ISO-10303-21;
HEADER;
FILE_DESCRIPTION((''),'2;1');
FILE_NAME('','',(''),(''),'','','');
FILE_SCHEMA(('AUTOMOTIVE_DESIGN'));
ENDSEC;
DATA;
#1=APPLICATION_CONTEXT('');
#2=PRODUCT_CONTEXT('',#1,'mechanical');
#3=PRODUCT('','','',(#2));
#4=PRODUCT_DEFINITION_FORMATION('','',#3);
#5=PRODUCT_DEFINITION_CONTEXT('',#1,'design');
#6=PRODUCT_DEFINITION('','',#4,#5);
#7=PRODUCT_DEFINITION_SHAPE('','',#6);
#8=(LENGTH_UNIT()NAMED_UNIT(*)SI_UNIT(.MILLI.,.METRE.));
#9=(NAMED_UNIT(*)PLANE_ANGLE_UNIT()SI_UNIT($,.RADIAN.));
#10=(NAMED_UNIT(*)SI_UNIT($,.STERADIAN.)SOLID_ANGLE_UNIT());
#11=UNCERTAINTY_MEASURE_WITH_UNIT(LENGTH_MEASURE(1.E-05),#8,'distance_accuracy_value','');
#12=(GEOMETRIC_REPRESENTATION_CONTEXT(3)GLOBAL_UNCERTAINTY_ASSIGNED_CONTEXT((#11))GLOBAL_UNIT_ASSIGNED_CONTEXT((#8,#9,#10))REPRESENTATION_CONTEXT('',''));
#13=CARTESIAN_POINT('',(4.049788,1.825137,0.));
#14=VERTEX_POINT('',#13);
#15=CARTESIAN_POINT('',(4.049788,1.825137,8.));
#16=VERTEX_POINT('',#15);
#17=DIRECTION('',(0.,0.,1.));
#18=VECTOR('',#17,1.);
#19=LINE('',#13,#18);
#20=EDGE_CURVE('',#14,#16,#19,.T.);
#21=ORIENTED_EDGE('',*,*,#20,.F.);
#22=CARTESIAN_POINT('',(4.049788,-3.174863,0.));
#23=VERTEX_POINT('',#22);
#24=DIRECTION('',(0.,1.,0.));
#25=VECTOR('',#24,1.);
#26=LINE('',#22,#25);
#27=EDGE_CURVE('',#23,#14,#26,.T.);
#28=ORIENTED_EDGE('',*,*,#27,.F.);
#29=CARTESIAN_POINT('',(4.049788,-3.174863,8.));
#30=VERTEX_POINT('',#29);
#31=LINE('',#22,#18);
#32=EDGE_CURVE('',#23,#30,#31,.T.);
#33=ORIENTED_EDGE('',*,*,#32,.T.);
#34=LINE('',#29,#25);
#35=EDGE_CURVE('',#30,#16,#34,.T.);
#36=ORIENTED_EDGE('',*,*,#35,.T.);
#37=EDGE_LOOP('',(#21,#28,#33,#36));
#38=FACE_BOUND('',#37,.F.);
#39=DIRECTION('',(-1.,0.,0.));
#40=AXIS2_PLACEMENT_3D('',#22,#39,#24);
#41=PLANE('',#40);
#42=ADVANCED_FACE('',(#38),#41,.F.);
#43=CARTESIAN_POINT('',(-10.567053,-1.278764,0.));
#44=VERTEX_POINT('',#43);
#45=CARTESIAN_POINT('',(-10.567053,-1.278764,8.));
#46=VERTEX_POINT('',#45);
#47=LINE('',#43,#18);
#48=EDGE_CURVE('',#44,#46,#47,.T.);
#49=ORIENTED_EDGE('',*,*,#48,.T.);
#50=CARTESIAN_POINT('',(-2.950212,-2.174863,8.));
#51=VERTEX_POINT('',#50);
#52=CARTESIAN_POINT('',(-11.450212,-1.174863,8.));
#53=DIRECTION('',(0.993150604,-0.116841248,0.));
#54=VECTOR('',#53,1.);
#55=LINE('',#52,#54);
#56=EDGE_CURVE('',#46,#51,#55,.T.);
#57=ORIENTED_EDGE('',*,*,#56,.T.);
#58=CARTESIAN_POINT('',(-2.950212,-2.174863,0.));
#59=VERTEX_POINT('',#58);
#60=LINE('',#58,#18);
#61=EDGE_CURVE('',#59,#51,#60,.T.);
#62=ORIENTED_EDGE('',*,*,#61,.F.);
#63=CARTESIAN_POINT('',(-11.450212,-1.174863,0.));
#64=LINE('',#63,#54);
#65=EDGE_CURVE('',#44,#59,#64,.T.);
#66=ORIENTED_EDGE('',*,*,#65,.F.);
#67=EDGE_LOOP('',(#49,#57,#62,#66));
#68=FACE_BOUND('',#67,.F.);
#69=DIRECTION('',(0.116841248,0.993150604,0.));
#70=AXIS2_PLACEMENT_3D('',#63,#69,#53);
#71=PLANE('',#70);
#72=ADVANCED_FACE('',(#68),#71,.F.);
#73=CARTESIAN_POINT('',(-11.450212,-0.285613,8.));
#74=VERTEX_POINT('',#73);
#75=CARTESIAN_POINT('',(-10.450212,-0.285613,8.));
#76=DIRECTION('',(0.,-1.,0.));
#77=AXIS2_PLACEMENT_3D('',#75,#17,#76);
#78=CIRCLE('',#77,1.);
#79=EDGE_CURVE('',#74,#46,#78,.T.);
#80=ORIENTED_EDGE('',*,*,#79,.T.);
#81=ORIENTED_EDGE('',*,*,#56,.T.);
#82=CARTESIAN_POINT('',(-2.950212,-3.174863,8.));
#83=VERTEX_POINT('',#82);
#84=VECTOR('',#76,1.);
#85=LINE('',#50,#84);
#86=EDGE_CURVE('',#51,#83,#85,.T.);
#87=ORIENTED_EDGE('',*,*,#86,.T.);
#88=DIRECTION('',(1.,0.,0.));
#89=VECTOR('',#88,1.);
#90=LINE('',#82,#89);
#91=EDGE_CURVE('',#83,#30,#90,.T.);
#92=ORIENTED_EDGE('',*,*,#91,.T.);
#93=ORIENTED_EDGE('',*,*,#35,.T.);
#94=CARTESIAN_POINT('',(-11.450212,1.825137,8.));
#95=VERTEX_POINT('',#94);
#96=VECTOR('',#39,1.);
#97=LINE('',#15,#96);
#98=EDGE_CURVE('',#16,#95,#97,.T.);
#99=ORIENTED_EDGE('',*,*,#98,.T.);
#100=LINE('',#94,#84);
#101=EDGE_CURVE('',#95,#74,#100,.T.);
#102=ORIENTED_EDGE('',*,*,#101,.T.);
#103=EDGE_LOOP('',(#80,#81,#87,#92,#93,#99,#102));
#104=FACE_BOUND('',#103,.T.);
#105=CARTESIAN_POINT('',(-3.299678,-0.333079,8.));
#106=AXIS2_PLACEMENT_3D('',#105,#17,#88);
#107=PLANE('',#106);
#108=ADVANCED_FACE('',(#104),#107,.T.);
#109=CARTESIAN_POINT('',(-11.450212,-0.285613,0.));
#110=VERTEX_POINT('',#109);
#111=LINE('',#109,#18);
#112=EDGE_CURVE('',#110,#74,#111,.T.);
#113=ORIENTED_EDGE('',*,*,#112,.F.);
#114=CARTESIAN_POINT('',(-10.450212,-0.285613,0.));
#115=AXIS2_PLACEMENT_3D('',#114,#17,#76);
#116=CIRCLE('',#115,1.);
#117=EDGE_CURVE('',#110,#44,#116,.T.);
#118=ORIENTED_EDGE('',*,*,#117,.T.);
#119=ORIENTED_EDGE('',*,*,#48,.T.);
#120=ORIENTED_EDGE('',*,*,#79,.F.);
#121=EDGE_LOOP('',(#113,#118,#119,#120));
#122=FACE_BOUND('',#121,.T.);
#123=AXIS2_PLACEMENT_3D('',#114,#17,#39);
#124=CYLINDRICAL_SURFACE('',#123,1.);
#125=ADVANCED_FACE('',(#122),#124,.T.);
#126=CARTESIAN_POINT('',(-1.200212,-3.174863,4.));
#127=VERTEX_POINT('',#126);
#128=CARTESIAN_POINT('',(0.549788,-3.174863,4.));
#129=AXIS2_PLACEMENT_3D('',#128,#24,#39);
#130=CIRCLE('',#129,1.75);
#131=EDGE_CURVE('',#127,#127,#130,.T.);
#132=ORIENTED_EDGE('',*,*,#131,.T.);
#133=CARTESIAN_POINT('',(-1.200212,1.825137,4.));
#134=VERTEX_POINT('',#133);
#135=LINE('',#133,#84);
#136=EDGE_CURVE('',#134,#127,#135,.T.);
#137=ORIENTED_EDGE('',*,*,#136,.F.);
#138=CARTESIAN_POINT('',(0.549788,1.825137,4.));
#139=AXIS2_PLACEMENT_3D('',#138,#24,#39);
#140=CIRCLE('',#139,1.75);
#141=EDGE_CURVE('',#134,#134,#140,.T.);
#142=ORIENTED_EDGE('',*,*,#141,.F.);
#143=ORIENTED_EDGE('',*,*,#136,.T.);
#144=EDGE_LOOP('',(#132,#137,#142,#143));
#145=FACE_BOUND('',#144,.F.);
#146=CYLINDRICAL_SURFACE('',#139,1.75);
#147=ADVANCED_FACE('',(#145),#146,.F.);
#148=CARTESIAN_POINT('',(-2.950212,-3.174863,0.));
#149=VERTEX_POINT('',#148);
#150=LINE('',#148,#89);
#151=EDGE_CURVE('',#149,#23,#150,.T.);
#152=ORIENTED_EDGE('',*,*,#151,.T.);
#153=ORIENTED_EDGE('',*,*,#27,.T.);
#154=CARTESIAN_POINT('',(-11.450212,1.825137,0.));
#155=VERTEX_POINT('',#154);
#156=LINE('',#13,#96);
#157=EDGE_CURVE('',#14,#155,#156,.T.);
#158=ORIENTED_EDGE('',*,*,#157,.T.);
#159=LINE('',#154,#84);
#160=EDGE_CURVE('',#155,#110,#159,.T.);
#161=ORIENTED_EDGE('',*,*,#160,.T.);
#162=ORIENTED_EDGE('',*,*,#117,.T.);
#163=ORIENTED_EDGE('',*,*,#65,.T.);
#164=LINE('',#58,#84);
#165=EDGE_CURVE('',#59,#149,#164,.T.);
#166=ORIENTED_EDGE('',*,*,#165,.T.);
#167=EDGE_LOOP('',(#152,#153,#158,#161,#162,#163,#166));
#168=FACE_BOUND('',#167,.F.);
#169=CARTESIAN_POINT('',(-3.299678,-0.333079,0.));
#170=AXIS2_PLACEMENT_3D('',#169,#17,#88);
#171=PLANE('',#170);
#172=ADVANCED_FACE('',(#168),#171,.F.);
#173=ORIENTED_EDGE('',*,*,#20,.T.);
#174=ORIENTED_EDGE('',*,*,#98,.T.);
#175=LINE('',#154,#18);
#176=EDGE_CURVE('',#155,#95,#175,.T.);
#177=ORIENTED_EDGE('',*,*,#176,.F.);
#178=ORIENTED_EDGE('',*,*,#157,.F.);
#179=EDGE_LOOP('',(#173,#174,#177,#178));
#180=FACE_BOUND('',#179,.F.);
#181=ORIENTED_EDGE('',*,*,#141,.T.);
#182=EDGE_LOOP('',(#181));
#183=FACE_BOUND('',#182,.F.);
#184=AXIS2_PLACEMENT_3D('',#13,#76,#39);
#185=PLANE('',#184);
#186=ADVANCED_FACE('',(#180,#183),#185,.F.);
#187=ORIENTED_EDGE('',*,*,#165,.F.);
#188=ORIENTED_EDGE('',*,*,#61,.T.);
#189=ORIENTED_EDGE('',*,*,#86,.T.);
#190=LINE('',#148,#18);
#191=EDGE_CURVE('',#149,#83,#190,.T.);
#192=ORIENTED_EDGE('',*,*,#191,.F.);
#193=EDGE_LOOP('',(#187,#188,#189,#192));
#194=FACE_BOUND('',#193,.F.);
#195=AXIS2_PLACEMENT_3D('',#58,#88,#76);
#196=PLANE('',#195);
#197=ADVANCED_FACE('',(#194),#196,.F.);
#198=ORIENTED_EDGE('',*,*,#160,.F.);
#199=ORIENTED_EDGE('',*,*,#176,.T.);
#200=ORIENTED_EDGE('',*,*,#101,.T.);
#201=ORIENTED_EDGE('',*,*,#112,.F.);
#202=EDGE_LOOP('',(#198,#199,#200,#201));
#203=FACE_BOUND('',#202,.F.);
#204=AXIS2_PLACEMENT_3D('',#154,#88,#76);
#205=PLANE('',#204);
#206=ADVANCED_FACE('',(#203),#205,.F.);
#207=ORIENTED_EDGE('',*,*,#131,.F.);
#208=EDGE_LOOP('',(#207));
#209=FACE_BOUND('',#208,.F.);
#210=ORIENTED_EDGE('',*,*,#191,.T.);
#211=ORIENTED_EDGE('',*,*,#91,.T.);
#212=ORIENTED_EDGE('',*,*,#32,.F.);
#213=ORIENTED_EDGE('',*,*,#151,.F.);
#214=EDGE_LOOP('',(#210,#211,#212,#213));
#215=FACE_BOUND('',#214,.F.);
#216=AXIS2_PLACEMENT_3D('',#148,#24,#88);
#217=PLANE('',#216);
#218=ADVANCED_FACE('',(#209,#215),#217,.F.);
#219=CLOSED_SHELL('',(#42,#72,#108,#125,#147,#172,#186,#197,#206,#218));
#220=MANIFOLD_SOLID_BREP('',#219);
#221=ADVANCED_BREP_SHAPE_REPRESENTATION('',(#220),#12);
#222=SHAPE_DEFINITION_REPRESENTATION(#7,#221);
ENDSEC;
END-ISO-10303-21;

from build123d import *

# Parameters (mm, degrees)
F1_DEPTH = 8
F2_R     = 1.75
F3_DEPTH = 5
F4_R     = 1


with BuildPart() as f1:
    # F0 (on Top) → F1 (new body)
    with BuildSketch(Plane.XY):
        Polygon((4.049788, -3.174863), (4.049788, 1.825137), (-11.450212, 1.825137), (-11.450212, -1.174863), (-2.950212, -2.174863), (-2.950212, -3.174863), align=None)
    extrude(amount=F1_DEPTH)

    # F2 (on face) → F3 (cut, through all)
    with BuildSketch(Plane(origin=(0, 1.825137, 0), x_dir=(-1, 0, 0), z_dir=(0, 1, 0))):
        with Locations((-0.549788, 4)):
            Circle(F2_R)
    extrude(amount=-F3_DEPTH, mode=Mode.SUBTRACT)

    # F4
    f4_edges = [f1.edges().sort_by_distance(p)[0] for p in [
        (-11.450212, -1.174863, 4),
    ]]
    fillet(f4_edges, radius=F4_R)


solid = f1.part
